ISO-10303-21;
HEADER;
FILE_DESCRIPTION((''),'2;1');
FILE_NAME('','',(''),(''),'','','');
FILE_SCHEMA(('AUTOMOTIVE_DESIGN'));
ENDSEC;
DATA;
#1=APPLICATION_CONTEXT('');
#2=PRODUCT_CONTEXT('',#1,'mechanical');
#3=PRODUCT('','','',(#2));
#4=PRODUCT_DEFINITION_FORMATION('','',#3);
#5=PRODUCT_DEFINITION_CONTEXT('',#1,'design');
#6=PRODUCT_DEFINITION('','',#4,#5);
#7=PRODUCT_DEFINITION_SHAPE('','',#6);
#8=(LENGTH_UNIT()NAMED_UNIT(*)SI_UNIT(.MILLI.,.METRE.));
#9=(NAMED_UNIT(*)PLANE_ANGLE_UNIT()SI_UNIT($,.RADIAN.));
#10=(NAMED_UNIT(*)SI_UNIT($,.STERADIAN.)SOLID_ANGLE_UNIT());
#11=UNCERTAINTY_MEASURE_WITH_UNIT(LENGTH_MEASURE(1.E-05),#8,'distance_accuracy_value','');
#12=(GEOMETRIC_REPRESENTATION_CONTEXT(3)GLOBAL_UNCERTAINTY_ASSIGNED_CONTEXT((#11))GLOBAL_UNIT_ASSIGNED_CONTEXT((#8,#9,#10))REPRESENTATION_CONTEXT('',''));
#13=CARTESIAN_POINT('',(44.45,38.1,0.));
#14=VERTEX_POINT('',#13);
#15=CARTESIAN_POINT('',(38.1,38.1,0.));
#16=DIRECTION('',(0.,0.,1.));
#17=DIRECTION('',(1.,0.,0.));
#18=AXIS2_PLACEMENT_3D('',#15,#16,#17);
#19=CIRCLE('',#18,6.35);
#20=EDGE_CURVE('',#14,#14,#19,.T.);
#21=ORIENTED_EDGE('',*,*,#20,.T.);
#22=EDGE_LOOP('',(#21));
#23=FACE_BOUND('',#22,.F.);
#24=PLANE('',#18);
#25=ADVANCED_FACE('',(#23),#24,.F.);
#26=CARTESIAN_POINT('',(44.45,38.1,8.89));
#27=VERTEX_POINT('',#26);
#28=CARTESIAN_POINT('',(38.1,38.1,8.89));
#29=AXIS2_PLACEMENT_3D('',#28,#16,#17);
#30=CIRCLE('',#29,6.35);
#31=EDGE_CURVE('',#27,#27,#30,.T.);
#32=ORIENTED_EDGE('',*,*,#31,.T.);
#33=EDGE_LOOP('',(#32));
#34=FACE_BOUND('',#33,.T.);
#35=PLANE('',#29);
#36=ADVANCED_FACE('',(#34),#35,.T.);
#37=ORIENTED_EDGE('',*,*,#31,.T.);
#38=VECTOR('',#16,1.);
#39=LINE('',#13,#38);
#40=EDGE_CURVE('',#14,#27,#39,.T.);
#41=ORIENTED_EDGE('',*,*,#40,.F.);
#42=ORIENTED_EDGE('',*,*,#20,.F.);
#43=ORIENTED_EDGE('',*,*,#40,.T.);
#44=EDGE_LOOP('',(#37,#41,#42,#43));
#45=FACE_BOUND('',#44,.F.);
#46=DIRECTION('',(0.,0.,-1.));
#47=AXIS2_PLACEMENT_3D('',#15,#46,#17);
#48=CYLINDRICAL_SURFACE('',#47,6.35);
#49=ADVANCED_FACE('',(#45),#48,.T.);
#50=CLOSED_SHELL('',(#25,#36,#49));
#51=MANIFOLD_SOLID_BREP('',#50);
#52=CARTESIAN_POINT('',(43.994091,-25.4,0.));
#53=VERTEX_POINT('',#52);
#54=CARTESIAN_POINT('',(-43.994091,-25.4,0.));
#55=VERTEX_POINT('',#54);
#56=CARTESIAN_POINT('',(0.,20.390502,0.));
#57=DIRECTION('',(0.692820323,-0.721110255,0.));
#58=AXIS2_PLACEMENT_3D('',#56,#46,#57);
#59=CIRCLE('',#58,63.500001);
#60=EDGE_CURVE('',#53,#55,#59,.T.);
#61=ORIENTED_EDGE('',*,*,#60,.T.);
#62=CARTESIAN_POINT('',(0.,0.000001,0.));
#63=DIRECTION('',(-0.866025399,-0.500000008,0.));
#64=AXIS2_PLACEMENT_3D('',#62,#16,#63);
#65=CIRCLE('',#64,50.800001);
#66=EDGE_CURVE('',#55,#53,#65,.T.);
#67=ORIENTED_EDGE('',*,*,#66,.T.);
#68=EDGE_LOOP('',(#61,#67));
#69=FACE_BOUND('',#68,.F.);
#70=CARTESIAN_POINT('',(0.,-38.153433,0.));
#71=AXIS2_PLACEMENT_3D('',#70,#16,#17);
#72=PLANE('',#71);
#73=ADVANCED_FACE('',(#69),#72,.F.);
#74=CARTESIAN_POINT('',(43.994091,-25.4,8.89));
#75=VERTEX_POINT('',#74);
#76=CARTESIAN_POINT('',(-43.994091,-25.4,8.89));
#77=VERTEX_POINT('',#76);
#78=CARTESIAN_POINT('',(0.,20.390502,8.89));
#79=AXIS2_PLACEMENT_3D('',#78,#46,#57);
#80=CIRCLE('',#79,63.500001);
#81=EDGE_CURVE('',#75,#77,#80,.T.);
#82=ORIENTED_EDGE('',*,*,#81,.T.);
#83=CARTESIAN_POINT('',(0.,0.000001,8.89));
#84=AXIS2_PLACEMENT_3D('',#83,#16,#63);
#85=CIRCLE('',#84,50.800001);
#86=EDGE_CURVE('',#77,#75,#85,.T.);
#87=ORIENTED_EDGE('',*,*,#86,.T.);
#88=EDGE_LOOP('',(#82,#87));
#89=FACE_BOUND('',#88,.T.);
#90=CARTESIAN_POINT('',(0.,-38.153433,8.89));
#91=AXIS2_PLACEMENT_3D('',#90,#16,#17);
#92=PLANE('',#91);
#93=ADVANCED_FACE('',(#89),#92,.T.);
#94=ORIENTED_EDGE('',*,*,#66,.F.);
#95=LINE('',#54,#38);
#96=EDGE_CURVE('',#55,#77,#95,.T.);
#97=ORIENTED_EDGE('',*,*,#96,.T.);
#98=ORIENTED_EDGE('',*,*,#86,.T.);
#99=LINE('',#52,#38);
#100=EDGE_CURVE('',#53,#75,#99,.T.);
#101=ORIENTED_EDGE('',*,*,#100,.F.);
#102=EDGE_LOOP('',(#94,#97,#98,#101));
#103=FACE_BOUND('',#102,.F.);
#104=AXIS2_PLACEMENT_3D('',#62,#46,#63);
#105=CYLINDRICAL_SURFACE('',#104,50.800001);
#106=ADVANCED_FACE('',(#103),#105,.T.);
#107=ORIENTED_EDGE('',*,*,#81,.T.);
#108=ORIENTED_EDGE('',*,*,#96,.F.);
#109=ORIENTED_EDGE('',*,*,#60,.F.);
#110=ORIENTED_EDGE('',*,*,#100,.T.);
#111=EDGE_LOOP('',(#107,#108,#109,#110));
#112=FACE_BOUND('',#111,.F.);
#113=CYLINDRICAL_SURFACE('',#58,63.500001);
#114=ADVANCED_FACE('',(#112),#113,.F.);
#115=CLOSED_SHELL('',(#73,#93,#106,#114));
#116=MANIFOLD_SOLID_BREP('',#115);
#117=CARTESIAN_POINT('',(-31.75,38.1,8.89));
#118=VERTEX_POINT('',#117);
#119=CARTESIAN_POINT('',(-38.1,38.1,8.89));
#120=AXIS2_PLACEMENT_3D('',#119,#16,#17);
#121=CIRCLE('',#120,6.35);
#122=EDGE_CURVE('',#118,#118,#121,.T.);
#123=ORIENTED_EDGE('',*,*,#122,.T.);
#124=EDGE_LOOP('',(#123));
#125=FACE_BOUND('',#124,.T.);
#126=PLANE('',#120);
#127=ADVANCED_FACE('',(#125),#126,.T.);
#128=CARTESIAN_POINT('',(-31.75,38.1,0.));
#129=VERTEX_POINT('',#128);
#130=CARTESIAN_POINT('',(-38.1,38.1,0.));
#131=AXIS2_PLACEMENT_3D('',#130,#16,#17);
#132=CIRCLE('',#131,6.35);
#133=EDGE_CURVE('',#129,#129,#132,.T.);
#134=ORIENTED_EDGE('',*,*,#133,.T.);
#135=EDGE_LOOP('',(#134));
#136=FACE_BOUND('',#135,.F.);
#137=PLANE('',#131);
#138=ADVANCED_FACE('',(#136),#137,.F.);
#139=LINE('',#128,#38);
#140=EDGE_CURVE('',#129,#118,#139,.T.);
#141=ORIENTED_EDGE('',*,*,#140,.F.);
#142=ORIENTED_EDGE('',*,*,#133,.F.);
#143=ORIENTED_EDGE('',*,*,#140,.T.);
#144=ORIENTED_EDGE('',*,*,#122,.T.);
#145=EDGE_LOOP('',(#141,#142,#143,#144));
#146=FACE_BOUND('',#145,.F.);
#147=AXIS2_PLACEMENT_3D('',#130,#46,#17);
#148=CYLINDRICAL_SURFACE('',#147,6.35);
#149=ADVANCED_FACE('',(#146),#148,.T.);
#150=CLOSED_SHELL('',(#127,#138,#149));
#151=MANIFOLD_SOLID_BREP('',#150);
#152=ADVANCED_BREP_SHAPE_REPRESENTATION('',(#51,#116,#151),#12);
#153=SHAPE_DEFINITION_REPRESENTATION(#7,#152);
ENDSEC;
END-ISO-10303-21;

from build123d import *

# Parameters (mm, degrees)
F0_R     = 6.35
F1_DEPTH = 8.89


with BuildPart() as f1:
    # F0 (on Top) → F1 (new body)
    with BuildSketch(Plane.XY):
        with Locations((-38.1, 38.1)):
            Circle(F0_R)
        with Locations((38.1, 38.1)):
            Circle(F0_R)
        with BuildLine():
            ThreePointArc((43.994091, -25.4), (0, -43.109499), (-43.994091, -25.4))
            ThreePointArc((-43.994091, -25.4), (0, -50.8), (43.994091, -25.4))
        make_face()
    extrude(amount=F1_DEPTH)


solid = f1.part
